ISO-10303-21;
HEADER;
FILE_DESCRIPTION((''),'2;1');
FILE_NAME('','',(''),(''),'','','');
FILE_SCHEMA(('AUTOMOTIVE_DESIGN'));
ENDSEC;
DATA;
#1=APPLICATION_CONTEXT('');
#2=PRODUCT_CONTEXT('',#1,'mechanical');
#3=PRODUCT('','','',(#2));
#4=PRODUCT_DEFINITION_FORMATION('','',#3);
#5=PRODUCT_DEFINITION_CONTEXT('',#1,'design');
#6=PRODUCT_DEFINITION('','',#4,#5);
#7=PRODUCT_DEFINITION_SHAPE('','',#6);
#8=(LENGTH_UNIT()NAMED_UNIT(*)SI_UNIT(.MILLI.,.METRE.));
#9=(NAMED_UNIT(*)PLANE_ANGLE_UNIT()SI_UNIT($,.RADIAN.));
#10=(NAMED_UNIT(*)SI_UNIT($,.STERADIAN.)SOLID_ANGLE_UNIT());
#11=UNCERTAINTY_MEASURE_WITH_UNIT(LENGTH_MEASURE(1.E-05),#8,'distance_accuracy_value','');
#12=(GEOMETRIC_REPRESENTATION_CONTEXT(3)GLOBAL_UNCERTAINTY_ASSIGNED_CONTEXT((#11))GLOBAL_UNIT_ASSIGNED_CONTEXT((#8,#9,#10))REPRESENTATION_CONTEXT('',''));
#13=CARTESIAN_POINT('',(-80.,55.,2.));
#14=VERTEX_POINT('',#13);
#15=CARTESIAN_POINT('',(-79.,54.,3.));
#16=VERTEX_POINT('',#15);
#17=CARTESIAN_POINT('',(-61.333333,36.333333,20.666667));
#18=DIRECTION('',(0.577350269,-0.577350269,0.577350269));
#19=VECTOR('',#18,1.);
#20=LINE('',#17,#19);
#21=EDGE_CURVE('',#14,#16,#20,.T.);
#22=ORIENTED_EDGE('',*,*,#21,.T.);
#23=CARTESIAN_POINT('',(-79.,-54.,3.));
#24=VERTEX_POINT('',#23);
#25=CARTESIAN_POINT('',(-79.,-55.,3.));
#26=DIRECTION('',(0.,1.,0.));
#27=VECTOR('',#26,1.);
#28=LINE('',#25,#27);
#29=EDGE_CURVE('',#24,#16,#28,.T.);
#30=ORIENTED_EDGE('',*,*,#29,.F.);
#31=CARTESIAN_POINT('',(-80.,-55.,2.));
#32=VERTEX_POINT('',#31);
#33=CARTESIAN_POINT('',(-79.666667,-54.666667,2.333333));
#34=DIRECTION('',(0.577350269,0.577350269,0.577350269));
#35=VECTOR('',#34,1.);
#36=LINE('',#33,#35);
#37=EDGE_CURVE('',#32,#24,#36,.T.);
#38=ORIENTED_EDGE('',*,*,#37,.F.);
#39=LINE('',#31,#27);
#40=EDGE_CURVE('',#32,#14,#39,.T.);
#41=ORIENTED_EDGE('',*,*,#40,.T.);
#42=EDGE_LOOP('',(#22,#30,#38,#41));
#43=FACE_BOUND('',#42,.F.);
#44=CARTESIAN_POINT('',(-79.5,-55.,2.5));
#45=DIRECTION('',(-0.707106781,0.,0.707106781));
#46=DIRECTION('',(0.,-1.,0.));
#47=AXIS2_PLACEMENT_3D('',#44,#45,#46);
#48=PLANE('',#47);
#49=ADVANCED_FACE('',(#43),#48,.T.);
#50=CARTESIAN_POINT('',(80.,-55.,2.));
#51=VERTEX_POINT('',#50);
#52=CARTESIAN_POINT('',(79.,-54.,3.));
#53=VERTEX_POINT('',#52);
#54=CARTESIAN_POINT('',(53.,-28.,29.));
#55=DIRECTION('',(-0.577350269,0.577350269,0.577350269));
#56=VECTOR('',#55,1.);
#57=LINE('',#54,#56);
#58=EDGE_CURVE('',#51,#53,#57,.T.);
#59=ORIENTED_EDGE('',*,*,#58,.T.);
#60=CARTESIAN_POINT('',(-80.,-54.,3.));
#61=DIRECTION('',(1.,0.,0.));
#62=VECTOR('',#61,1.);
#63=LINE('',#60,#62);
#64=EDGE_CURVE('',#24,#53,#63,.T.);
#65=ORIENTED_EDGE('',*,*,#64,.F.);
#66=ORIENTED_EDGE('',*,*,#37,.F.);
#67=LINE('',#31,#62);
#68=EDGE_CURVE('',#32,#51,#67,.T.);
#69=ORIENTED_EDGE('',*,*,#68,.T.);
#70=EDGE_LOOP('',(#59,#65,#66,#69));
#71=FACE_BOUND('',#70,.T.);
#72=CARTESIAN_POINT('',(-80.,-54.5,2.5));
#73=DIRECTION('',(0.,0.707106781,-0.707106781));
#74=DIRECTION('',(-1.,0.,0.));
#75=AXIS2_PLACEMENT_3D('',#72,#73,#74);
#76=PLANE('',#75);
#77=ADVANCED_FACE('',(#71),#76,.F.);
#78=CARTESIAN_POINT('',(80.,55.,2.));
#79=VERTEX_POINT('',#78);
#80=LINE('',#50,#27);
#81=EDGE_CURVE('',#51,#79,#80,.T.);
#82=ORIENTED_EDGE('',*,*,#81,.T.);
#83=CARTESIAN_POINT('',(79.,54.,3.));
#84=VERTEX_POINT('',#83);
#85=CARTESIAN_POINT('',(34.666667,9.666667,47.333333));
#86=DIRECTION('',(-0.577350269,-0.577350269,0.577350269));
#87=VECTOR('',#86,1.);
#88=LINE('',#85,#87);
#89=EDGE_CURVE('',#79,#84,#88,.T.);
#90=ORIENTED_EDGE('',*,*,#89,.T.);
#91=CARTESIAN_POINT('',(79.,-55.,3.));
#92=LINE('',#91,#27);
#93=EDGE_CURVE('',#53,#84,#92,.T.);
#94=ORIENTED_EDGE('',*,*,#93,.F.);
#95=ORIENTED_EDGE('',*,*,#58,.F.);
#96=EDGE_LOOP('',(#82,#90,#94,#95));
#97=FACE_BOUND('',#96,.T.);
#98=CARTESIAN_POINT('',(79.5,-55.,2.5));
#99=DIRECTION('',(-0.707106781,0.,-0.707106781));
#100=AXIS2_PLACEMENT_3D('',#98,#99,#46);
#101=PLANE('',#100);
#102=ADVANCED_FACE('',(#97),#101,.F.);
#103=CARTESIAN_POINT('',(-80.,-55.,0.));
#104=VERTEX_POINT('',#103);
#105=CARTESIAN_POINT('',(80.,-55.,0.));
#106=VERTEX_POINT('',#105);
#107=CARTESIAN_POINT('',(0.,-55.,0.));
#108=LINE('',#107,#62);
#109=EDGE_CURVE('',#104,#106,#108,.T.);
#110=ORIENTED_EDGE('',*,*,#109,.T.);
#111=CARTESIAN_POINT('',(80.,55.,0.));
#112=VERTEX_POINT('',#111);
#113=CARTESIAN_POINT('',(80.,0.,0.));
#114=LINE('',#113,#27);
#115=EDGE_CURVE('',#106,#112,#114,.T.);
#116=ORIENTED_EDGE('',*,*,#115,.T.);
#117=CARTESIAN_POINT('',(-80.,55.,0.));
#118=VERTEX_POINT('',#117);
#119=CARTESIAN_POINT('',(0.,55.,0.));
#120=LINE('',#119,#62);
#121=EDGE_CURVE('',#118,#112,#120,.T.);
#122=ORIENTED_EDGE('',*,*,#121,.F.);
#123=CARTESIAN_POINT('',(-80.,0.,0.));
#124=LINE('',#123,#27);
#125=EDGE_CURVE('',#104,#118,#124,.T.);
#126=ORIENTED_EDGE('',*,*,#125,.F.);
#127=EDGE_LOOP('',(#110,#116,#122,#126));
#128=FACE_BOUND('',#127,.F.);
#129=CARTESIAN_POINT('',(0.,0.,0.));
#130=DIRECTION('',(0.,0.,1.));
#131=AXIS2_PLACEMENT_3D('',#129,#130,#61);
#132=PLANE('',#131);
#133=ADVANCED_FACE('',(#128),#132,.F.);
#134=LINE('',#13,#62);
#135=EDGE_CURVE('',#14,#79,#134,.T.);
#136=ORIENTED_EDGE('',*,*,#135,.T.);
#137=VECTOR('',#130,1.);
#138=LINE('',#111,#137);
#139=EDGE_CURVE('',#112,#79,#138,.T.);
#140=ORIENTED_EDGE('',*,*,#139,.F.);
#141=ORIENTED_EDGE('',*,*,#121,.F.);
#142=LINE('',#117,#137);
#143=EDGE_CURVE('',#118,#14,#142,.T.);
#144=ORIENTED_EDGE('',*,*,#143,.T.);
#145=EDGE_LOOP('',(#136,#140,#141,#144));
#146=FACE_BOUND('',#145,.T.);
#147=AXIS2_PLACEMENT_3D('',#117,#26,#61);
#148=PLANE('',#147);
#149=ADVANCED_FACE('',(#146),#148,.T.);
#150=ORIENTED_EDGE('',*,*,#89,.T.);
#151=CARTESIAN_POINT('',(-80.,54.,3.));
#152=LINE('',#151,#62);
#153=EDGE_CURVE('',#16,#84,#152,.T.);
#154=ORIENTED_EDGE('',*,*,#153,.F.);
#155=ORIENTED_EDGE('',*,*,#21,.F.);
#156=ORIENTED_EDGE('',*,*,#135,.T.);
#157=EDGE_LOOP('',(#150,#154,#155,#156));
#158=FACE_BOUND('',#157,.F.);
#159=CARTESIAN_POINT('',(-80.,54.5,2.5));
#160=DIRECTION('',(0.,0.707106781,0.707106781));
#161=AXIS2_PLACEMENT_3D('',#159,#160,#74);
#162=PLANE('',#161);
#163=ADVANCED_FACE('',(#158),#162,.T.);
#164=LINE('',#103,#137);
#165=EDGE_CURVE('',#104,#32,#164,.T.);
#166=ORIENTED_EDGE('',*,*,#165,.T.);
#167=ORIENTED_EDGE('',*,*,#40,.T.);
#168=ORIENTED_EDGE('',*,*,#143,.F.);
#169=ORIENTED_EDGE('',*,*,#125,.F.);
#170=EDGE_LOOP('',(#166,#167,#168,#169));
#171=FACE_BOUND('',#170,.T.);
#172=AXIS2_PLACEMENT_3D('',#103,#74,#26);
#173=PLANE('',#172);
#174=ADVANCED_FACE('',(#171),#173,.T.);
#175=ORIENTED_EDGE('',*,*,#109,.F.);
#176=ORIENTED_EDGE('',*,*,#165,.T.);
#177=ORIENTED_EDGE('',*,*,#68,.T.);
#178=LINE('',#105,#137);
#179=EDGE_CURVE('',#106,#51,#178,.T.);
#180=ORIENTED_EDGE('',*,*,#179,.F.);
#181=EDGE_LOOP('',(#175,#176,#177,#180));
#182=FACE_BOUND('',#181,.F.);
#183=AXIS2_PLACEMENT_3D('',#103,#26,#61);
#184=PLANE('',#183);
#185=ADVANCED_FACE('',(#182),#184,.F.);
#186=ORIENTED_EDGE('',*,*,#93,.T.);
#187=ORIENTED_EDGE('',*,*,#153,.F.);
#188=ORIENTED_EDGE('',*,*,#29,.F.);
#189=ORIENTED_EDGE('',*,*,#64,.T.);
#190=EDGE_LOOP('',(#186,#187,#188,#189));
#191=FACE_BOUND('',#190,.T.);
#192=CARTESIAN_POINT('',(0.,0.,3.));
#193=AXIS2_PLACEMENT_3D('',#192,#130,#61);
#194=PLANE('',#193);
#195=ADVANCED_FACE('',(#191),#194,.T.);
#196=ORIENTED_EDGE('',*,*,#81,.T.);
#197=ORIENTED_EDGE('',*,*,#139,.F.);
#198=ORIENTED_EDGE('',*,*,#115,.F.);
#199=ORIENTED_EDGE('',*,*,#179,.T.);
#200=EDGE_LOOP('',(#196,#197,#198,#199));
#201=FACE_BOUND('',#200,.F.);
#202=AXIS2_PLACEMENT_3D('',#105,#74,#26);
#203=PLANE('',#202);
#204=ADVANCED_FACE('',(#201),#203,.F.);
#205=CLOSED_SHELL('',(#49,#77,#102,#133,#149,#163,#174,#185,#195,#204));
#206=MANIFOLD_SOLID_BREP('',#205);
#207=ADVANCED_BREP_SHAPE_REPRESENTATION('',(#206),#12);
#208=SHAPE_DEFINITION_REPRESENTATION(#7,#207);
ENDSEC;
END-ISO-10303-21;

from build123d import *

# Parameters (mm, degrees)
F0_W     = 160
F0_H     = 110
F1_DEPTH = 3
F2_SIZE  = 1


with BuildPart() as f1:
    # F0 (on Top) → F1 (new body)
    with BuildSketch(Plane.XY):
        Rectangle(F0_W, F0_H)
    extrude(amount=F1_DEPTH)

    # F2
    f2_edges = [f1.edges().sort_by_distance(p)[0] for p in [
        (-80, 0, 3),
        (0, -55, 3),
        (80, 0, 3),
        (0, 55, 3),
    ]]
    chamfer(f2_edges, length=F2_SIZE)


solid = f1.part
